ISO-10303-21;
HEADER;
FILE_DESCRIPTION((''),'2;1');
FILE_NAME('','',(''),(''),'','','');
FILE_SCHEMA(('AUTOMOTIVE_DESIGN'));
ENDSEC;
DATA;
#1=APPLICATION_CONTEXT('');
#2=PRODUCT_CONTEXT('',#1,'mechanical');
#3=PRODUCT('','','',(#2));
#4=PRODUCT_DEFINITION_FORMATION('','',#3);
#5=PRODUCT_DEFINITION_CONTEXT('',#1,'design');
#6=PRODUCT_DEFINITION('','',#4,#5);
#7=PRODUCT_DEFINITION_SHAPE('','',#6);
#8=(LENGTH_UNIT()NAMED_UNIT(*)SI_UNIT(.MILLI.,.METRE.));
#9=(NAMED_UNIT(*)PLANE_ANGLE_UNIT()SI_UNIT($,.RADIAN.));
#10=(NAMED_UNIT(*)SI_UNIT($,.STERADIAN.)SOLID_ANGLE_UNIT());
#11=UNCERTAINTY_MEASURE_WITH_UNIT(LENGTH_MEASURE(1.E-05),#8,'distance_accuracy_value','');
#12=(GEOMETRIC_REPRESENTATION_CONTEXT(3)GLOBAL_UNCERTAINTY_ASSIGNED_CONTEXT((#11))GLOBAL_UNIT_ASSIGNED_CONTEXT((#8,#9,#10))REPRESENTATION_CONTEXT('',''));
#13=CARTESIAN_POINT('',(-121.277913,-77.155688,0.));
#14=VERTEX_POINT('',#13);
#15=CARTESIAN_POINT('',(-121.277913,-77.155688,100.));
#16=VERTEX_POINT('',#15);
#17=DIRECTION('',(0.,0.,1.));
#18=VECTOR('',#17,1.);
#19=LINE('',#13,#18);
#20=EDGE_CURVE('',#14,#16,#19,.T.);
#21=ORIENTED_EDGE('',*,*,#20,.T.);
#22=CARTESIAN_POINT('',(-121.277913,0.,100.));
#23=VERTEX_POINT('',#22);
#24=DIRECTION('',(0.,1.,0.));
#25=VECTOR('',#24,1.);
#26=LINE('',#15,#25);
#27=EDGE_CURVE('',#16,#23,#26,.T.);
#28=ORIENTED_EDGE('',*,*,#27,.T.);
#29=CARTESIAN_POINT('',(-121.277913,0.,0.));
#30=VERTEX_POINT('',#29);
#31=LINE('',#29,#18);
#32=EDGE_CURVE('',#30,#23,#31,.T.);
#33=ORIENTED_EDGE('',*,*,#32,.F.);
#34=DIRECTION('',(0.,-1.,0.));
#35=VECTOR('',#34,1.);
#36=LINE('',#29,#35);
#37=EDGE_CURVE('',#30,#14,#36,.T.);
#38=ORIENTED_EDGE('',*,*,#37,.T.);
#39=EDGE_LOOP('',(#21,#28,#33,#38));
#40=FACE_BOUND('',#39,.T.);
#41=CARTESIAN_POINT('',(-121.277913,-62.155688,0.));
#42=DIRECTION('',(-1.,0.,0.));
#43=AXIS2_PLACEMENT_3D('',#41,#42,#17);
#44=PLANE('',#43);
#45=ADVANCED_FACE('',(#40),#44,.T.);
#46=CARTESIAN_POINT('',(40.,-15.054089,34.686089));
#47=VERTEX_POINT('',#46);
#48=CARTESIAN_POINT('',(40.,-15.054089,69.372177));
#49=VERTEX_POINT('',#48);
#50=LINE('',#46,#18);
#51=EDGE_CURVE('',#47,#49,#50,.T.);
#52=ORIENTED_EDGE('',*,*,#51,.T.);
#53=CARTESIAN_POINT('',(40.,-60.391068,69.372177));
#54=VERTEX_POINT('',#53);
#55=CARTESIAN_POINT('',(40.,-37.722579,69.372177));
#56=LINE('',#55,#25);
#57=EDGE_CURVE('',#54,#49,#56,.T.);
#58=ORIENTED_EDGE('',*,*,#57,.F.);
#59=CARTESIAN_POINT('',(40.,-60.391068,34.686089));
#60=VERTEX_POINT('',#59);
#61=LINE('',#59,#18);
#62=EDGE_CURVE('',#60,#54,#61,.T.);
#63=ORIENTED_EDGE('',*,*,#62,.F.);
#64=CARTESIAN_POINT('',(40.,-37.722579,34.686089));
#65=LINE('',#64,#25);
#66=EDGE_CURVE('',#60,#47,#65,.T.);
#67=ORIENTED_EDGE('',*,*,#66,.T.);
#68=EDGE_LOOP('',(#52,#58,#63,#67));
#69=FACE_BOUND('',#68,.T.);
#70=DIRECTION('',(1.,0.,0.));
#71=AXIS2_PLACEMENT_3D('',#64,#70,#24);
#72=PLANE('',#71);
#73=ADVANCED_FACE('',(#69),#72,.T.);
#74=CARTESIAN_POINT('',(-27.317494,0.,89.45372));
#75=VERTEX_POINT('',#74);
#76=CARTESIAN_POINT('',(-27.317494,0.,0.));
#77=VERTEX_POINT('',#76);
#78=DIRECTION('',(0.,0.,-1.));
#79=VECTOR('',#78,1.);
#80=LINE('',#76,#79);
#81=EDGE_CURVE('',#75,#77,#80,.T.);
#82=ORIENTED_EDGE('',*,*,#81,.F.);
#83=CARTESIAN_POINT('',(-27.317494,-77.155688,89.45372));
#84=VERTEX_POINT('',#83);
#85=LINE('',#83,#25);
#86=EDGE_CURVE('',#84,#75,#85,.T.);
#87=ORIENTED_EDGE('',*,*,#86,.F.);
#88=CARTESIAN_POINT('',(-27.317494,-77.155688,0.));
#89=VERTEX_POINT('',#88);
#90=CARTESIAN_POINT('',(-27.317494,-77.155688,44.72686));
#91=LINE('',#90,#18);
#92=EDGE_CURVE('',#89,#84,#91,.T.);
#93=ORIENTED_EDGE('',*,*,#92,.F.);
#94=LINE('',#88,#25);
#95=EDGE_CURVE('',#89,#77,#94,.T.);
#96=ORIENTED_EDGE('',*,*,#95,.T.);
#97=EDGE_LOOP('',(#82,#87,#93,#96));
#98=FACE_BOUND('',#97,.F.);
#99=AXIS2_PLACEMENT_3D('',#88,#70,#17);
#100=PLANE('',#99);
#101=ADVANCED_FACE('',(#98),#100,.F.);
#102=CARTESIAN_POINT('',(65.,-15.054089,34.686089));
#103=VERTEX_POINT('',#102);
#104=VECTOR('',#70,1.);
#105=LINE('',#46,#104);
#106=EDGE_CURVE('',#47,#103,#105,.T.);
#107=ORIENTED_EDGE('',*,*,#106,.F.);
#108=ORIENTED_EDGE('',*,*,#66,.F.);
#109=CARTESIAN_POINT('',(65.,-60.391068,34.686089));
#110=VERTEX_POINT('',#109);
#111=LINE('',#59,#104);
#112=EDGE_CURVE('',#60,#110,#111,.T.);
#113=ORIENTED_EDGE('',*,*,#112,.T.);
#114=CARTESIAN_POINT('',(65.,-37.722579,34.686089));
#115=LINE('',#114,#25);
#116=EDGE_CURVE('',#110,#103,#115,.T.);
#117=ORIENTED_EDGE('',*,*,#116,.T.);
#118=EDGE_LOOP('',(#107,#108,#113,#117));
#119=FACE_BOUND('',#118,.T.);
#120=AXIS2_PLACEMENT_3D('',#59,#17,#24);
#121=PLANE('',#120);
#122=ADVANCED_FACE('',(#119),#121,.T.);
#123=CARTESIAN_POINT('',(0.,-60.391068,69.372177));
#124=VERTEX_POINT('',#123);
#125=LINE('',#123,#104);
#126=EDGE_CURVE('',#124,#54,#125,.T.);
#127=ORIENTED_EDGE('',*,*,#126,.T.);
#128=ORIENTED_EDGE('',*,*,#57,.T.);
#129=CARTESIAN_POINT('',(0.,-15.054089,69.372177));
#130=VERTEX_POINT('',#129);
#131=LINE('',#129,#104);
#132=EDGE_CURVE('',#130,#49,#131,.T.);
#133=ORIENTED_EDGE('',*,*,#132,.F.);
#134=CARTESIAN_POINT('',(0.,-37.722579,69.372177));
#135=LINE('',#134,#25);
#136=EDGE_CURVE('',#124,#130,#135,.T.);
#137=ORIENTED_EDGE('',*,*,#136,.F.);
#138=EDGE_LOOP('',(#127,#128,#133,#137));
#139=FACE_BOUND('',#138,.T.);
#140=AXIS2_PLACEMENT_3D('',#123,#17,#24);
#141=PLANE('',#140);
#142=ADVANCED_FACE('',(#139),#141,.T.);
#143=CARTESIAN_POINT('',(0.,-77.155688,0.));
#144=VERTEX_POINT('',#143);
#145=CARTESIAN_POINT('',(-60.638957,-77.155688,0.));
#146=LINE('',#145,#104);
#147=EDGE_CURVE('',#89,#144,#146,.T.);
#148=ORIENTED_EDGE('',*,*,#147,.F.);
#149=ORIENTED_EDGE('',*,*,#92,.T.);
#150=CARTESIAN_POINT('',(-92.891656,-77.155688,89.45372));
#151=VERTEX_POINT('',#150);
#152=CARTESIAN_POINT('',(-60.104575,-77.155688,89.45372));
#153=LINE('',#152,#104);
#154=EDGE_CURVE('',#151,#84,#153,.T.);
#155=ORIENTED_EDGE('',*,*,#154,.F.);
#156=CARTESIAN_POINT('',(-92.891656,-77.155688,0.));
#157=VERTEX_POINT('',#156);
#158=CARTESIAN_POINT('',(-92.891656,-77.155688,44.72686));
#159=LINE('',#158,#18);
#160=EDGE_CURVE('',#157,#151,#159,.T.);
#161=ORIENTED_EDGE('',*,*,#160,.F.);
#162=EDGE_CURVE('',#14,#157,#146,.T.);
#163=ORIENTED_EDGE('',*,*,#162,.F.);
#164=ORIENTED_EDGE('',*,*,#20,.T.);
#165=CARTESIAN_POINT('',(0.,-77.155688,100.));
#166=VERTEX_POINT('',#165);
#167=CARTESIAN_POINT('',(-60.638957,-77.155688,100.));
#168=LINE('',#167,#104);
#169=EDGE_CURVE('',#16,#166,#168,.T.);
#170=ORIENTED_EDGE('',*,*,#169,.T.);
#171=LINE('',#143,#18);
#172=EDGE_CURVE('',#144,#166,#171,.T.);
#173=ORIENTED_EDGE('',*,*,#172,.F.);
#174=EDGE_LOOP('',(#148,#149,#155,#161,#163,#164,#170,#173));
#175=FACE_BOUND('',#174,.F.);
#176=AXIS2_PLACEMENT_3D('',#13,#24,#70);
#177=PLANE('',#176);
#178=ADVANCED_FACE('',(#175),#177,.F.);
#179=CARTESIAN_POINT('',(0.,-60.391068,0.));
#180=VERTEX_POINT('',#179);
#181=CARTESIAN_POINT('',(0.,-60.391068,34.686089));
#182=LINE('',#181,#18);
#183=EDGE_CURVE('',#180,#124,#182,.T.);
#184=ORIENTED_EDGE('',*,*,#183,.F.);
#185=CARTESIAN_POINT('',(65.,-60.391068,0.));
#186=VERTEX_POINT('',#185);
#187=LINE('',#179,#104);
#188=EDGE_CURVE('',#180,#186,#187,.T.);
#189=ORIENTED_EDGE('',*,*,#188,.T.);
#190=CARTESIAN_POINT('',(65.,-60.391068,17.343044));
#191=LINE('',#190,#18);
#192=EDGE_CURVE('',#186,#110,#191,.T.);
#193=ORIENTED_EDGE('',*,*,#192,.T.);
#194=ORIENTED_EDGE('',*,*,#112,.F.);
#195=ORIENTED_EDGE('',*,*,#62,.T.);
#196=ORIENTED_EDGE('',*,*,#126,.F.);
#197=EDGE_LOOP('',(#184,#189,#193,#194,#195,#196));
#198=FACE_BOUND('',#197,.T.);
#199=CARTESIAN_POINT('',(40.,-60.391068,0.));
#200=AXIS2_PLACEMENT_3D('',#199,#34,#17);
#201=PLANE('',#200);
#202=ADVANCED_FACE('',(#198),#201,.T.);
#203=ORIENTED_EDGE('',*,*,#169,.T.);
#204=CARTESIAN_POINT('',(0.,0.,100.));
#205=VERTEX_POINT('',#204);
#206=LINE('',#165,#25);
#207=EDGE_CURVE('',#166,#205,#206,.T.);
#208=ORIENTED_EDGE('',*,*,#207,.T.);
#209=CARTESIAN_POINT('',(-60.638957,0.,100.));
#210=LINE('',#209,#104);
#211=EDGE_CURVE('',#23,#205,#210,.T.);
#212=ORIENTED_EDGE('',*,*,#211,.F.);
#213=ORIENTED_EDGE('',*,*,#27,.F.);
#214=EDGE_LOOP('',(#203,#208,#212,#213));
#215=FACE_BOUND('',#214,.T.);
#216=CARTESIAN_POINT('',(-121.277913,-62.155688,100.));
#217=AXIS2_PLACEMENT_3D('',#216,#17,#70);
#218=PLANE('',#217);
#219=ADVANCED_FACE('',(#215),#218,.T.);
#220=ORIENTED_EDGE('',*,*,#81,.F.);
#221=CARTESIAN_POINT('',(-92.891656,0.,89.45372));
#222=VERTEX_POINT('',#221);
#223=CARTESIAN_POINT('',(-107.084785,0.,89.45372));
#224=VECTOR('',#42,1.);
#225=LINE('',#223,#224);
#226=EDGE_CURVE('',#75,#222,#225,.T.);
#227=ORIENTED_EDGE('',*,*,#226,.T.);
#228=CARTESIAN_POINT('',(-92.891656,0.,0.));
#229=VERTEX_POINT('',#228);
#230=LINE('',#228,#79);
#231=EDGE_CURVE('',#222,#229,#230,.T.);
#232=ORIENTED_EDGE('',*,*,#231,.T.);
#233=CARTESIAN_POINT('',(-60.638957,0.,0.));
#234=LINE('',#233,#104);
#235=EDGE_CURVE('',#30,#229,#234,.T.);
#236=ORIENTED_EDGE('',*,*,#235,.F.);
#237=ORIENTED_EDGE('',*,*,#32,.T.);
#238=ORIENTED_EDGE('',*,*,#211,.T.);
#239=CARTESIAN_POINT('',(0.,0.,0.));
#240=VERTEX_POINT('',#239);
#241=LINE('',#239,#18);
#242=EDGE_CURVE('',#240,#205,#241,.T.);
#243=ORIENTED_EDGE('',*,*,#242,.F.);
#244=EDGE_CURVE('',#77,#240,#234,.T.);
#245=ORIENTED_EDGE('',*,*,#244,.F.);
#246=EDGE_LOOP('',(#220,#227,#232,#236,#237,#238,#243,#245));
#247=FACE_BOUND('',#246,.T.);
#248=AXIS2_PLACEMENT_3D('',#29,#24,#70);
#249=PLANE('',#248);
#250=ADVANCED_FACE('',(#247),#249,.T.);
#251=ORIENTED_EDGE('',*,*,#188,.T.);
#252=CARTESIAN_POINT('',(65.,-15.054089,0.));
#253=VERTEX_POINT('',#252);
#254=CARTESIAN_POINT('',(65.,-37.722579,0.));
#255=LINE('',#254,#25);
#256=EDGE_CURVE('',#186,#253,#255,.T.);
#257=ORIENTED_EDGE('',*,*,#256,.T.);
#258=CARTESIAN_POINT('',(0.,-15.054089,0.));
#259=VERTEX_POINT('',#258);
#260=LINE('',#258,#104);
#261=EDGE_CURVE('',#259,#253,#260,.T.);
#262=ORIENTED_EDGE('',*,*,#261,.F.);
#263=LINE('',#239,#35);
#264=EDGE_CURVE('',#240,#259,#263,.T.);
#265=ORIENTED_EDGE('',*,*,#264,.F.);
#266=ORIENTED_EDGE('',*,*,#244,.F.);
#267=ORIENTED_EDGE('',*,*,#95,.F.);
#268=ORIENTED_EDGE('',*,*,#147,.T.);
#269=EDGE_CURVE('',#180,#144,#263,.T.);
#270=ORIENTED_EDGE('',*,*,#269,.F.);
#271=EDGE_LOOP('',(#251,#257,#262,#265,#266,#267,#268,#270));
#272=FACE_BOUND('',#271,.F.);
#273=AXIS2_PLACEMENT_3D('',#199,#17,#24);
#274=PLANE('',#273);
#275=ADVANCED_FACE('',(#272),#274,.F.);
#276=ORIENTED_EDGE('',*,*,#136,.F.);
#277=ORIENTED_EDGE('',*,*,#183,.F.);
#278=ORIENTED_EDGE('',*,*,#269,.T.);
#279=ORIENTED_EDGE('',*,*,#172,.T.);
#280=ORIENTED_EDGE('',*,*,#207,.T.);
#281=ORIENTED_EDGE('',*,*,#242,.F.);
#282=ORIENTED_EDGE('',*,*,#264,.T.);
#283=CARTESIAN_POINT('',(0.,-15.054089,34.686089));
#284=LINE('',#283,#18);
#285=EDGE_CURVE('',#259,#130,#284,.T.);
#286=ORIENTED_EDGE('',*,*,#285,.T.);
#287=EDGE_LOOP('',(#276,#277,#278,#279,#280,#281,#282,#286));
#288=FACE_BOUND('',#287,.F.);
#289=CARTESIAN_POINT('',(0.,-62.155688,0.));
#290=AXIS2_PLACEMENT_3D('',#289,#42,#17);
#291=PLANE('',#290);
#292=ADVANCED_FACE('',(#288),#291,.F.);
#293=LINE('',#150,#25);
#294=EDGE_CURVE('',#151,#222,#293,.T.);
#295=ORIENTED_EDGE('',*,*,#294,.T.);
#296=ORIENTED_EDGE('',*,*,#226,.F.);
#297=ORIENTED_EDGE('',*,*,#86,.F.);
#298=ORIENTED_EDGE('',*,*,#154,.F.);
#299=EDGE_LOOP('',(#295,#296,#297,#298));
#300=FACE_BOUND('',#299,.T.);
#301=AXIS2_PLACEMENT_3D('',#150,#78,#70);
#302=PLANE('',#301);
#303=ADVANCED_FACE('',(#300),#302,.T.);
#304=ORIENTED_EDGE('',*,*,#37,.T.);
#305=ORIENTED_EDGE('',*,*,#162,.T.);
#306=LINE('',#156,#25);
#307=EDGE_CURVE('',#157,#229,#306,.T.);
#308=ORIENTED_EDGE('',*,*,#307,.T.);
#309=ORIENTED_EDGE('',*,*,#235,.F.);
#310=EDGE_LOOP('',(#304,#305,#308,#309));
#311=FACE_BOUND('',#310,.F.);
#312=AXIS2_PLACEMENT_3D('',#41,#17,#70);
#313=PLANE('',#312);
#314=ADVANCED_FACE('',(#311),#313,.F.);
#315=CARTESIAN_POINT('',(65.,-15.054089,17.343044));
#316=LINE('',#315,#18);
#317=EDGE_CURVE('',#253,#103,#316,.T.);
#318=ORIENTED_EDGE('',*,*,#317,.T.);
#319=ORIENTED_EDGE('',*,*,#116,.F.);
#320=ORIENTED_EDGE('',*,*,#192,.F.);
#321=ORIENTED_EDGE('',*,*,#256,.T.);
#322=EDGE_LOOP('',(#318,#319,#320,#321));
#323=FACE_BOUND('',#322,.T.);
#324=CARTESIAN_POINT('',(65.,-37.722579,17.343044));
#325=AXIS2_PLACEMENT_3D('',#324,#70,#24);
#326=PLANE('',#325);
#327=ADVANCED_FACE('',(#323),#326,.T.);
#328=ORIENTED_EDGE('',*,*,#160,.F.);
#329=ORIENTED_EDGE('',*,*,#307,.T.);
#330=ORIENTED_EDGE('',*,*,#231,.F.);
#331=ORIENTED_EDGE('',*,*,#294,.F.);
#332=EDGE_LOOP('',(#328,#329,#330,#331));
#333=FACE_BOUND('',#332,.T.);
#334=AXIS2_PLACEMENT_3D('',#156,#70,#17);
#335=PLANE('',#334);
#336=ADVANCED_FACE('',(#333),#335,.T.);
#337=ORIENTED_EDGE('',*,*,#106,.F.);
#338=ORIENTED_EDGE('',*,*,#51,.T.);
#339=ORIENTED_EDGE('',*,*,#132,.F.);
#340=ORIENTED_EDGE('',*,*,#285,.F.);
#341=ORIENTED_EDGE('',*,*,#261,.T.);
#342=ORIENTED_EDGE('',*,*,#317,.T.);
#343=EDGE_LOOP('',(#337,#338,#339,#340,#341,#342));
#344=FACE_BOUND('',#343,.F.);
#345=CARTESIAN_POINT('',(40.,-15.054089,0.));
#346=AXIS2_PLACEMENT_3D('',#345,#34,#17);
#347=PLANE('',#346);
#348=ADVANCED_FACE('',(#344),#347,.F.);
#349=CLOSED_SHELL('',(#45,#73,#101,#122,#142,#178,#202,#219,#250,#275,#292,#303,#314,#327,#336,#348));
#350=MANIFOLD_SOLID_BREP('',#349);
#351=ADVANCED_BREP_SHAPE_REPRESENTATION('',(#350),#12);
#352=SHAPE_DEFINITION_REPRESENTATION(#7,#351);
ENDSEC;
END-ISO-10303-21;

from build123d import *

# Parameters (mm, degrees)
F0_W      = 121.2779134512
F0_H      = 37.155687809
F1_DEPTH  = 100
F2_DEPTH  = 25
F3_DEPTH  = 15
F4_W      = 65.5741617084
F4_H      = 89.4537195563
F5_DEPTH  = 1200
F7_W      = 45.3369794413
F7_H      = 69.372177124
F8_DEPTH  = 40
F9_W      = 45.3369794413
F9_H      = 34.686088562
F10_DEPTH = 25


with BuildPart() as f1:
    # F0 (on Top) → F1 (new body)
    with BuildSketch(Plane.XY):
        with Locations((-60.6389567256, -18.5778439045)):
            Rectangle(F0_W, F0_H)
    extrude(amount=F1_DEPTH)

    # F2 (add): a face of the model
    f2_faces = [f1.faces().sort_by_distance(p)[0] for p in [
        (-60.6389567256, -37.155687809, 50),
    ]]
    extrude(f2_faces, amount=F2_DEPTH)

    # F3 (add): a face of the model
    f3_faces = [f1.faces().sort_by_distance(p)[0] for p in [
        (-60.6389567256, -62.155687809, 50),
    ]]
    extrude(f3_faces, amount=F3_DEPTH)

    # F4 (on face) → F5 (cut)
    with BuildSketch(Plane.XZ.offset(77.155687809)):
        with Locations((-60.1045750082, 44.7268597782)):
            Rectangle(F4_W, F4_H)
    extrude(amount=-F5_DEPTH, mode=Mode.SUBTRACT)

    # F7 (on face) → F8 (join)
    with BuildSketch(Plane.YZ):
        with Locations((-37.7225787379, 34.686088562)):
            Rectangle(F7_W, F7_H)
    extrude(amount=F8_DEPTH)

    # F9 (on face) → F10 (join)
    with BuildSketch(Plane.YZ.offset(40)):
        with Locations((-37.7225787379, 17.343044281)):
            Rectangle(F9_W, F9_H)
    extrude(amount=F10_DEPTH)


solid = f1.part
